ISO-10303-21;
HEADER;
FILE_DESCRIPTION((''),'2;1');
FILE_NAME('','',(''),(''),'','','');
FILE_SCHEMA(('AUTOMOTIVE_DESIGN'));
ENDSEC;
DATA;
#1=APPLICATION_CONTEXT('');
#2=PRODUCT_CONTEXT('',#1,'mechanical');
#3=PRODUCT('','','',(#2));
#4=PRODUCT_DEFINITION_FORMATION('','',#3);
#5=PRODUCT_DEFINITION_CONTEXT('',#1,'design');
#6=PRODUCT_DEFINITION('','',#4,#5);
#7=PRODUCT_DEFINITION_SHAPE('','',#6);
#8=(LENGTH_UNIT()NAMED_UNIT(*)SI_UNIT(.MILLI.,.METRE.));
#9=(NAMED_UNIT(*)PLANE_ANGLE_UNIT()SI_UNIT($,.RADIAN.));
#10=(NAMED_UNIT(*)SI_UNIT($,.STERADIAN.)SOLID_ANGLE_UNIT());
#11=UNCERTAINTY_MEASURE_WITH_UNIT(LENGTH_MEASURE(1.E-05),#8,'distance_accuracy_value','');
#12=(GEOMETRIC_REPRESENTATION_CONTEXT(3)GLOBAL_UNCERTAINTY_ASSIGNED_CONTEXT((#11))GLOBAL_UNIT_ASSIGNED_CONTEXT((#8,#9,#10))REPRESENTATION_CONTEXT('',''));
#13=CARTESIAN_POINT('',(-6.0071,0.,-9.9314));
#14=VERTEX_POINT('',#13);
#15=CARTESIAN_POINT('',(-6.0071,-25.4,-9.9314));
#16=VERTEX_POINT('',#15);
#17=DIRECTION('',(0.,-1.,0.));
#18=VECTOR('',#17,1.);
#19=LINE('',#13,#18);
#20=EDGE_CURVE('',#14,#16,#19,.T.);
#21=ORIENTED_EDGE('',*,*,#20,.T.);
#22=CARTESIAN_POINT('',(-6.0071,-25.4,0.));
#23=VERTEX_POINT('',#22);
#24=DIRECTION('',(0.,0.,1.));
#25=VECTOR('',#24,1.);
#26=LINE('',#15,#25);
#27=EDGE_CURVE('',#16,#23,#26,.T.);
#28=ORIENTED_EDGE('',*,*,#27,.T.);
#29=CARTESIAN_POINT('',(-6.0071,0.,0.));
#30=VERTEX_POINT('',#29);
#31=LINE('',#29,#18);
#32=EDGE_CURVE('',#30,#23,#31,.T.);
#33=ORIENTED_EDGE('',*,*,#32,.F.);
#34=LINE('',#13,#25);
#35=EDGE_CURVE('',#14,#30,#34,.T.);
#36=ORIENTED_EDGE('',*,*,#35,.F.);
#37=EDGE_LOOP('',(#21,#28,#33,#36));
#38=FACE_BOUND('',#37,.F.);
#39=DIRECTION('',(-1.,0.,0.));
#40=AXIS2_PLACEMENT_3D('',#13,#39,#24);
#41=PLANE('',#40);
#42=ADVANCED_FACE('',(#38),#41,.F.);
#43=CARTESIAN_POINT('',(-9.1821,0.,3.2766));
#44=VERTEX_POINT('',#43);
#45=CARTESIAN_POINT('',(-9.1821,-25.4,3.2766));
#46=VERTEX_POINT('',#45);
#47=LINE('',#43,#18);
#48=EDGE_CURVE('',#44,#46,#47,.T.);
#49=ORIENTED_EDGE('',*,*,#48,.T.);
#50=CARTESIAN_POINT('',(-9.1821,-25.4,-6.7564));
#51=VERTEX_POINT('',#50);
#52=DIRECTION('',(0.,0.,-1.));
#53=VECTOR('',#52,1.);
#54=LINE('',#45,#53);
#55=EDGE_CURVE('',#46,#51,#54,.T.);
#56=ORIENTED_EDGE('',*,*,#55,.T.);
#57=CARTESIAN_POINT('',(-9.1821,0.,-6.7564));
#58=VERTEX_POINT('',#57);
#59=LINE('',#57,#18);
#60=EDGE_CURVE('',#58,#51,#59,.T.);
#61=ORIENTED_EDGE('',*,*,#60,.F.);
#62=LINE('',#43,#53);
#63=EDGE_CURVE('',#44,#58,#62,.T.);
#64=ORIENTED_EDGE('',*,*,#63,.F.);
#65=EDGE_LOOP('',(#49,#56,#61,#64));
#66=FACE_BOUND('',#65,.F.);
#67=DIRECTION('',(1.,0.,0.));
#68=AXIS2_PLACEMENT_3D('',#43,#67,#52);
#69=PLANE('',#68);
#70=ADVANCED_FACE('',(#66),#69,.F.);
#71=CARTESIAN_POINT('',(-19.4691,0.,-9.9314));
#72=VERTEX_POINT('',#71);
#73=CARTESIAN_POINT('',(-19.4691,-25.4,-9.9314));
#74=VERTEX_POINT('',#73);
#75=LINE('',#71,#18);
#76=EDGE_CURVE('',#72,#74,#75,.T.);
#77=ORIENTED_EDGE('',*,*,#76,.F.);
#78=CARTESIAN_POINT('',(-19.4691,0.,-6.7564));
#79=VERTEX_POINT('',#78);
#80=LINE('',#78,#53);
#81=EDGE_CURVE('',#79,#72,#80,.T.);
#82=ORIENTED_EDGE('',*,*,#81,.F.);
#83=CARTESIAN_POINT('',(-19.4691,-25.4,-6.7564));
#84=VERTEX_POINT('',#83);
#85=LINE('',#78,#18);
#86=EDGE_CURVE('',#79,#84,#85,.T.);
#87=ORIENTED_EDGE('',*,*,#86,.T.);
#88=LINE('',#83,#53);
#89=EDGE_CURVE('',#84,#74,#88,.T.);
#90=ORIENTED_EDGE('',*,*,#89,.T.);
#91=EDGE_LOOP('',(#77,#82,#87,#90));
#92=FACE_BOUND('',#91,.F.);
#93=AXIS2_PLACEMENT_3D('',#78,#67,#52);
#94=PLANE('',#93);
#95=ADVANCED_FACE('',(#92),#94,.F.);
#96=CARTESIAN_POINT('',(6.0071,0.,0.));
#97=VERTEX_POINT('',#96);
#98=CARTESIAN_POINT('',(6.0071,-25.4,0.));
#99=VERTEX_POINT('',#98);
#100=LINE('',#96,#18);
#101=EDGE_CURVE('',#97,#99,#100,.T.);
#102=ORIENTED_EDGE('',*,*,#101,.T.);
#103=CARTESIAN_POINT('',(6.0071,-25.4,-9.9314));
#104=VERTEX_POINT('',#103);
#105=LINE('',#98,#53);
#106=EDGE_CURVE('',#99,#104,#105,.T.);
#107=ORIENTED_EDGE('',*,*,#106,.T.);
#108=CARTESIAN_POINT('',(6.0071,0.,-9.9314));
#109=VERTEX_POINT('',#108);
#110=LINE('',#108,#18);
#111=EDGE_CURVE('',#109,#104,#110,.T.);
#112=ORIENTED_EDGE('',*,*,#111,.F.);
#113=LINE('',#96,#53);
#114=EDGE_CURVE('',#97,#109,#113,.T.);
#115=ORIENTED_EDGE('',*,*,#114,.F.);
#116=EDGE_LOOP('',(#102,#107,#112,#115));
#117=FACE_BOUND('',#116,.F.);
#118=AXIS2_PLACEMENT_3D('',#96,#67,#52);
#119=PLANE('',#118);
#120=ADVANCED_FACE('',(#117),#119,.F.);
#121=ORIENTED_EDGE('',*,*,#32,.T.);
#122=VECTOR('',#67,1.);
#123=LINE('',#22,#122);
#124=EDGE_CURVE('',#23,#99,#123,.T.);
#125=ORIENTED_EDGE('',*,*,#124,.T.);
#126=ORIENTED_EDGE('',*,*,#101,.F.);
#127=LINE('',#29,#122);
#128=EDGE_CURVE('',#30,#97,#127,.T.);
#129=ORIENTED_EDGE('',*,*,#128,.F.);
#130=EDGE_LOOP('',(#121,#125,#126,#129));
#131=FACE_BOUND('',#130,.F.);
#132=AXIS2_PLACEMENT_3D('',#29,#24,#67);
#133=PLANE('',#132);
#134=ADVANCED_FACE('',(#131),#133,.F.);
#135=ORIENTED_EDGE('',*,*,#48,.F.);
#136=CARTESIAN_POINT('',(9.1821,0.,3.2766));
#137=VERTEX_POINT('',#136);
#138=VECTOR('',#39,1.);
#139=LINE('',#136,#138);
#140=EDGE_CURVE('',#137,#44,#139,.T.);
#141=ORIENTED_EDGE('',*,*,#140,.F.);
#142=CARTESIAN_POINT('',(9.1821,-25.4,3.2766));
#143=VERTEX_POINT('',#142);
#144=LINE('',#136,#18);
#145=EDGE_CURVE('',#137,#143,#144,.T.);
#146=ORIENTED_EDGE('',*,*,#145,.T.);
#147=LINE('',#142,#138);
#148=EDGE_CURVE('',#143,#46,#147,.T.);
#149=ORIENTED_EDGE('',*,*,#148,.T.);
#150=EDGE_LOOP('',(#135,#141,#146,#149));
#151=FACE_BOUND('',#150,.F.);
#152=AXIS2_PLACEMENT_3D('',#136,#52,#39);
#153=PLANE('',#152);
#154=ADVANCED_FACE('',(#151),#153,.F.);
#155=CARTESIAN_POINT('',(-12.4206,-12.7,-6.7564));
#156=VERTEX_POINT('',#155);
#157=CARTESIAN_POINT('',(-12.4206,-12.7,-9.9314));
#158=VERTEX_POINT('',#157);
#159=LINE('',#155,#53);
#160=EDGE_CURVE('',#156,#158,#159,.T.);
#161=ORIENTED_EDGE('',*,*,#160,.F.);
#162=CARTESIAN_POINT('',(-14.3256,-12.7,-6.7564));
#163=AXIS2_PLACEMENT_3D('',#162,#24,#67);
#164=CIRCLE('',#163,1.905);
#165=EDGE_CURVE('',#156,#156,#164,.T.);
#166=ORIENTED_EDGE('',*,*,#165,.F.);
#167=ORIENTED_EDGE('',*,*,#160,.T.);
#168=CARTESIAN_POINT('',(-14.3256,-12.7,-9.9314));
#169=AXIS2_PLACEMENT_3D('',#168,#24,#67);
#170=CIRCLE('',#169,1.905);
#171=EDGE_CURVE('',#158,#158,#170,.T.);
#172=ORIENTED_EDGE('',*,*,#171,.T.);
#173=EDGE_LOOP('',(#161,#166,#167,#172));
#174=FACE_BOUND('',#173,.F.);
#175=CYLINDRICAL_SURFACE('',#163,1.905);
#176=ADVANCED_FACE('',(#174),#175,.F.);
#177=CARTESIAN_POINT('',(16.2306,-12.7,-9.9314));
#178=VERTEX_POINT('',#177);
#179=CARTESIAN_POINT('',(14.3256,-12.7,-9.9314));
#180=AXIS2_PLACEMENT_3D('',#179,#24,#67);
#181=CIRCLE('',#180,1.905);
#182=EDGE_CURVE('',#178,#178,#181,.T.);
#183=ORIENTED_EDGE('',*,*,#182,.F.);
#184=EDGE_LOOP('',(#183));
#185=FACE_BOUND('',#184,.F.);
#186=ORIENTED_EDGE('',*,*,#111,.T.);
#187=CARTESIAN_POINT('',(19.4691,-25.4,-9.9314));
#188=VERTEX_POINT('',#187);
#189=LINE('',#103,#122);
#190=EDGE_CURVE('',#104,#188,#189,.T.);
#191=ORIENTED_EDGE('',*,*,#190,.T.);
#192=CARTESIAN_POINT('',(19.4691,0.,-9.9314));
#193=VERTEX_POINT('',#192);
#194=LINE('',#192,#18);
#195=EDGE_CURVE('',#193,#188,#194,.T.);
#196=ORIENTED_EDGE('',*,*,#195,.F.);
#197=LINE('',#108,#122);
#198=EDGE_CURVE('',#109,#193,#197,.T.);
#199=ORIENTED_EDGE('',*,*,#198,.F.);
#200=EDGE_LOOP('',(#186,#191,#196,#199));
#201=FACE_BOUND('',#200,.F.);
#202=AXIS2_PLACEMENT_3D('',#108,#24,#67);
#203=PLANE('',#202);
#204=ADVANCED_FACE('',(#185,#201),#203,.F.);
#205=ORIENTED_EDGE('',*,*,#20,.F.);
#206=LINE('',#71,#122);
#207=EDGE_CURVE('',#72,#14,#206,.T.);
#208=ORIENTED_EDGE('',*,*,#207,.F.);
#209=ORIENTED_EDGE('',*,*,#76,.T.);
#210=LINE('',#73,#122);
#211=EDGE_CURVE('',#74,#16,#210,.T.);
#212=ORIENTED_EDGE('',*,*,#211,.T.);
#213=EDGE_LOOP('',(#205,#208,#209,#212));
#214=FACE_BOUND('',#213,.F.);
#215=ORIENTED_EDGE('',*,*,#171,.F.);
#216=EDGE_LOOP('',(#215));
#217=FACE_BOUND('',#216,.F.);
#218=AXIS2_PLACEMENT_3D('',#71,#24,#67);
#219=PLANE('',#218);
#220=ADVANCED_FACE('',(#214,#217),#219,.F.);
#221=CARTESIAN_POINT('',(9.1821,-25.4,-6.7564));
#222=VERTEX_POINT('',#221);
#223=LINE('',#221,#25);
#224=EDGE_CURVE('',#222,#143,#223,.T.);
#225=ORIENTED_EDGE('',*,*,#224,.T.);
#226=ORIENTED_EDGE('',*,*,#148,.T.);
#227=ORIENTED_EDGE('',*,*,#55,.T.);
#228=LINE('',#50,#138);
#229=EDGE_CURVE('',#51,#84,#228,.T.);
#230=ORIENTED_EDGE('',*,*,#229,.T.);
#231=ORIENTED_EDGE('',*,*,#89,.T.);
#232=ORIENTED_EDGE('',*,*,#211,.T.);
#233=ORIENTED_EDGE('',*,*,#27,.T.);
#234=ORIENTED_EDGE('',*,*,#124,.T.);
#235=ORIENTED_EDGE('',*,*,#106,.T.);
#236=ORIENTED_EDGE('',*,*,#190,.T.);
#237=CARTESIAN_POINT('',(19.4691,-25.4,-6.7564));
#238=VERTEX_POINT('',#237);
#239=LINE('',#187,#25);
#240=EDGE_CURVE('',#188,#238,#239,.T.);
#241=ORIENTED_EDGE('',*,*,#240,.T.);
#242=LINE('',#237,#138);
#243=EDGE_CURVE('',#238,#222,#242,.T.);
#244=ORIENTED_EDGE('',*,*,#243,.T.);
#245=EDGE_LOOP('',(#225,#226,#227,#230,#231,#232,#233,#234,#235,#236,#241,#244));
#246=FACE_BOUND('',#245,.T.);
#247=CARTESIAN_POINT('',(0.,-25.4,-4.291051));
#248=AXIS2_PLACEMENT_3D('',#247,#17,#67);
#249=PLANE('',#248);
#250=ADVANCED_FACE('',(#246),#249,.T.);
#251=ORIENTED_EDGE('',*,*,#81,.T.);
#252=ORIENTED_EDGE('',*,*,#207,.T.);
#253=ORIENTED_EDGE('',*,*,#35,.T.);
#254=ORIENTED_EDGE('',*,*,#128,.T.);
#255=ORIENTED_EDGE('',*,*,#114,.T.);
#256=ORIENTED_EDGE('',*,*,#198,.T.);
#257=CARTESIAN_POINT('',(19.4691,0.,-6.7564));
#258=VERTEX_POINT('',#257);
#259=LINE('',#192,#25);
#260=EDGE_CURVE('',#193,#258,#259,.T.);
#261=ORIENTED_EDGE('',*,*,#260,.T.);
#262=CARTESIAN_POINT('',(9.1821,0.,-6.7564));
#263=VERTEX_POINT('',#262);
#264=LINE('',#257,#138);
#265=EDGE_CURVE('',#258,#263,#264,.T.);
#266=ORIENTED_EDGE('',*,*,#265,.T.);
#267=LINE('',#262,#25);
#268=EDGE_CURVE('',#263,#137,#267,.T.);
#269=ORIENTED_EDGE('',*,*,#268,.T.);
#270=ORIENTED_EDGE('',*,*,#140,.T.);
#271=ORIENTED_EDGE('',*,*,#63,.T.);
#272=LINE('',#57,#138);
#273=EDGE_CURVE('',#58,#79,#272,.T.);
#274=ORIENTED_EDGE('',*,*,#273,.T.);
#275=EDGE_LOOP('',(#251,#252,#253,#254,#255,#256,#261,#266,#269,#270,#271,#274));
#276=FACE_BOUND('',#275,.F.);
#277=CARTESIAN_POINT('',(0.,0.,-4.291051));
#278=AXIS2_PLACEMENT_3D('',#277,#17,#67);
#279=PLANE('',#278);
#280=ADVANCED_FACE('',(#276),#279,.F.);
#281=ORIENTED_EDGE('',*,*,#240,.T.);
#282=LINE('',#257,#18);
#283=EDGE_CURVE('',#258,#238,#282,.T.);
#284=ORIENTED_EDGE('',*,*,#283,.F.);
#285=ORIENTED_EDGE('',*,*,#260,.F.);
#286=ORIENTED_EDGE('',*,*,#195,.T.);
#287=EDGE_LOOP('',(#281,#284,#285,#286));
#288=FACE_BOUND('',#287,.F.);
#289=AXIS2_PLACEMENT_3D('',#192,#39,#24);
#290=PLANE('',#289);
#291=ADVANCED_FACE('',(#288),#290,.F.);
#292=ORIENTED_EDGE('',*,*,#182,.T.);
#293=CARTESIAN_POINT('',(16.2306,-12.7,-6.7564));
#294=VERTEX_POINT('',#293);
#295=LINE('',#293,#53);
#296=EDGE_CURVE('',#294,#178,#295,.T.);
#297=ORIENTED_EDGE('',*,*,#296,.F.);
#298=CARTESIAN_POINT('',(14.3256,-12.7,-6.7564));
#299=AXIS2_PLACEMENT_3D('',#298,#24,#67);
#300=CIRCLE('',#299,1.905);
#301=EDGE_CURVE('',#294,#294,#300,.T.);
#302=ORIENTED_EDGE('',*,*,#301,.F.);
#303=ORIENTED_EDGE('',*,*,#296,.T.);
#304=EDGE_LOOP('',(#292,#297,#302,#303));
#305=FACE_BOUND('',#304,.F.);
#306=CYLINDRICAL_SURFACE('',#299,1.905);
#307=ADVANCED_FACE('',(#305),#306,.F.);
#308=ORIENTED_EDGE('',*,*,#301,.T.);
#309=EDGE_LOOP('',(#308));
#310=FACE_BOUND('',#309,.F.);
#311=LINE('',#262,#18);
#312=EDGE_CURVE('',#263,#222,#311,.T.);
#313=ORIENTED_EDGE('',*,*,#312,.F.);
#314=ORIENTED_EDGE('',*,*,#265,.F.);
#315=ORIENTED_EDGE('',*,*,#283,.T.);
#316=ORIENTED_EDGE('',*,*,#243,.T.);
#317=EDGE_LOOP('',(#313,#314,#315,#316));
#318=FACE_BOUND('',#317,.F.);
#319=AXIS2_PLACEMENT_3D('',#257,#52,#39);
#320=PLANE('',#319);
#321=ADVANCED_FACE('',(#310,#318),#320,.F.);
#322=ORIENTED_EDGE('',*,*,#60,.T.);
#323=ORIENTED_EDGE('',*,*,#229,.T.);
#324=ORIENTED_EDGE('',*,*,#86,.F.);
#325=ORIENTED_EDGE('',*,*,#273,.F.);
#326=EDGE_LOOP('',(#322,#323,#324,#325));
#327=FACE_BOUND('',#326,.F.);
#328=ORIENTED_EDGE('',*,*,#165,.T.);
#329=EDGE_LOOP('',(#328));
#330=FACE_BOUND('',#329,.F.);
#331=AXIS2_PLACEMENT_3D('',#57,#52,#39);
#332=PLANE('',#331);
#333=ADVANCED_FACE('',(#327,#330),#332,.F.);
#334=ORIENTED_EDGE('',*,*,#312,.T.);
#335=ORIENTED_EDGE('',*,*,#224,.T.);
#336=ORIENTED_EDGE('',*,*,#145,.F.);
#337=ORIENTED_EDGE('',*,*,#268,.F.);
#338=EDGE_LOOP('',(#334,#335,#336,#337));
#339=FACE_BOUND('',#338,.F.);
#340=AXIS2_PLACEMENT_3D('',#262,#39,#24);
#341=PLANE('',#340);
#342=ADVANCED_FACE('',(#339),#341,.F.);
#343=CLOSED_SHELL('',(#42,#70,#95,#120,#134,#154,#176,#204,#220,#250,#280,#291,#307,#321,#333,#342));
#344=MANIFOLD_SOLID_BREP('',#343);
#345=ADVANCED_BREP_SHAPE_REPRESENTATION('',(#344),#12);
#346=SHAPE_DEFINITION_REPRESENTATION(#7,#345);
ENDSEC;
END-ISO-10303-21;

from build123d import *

# Parameters (mm, degrees)
F1_DEPTH = 25.4
F2_R     = 1.905
F3_DEPTH = 25.4


with BuildPart() as f1:
    # F0 (on Front) → F1 (new body)
    with BuildSketch(Plane.XZ):
        Polygon((-6.0071, 0), (0, 0), (6.0071, 0), (6.0071, -9.9314), (19.4691, -9.9314), (19.4691, -6.7564), (9.1821, -6.7564), (9.1821, 3.2766), (0, 3.2766), (-9.1821, 3.2766), (-9.1821, -6.7564), (-19.4691, -6.7564), (-19.4691, -9.9314), (-6.0071, -9.9314), align=None)
    extrude(amount=F1_DEPTH)

    # F2 (on face) → F3 (cut)
    with BuildSketch(Plane.XY.offset(-6.7564)):
        with Locations((-14.3256, -12.7)):
            Circle(F2_R)
        with Locations((14.3256, -12.7)):
            Circle(F2_R)
    extrude(amount=-F3_DEPTH, mode=Mode.SUBTRACT)


solid = f1.part
